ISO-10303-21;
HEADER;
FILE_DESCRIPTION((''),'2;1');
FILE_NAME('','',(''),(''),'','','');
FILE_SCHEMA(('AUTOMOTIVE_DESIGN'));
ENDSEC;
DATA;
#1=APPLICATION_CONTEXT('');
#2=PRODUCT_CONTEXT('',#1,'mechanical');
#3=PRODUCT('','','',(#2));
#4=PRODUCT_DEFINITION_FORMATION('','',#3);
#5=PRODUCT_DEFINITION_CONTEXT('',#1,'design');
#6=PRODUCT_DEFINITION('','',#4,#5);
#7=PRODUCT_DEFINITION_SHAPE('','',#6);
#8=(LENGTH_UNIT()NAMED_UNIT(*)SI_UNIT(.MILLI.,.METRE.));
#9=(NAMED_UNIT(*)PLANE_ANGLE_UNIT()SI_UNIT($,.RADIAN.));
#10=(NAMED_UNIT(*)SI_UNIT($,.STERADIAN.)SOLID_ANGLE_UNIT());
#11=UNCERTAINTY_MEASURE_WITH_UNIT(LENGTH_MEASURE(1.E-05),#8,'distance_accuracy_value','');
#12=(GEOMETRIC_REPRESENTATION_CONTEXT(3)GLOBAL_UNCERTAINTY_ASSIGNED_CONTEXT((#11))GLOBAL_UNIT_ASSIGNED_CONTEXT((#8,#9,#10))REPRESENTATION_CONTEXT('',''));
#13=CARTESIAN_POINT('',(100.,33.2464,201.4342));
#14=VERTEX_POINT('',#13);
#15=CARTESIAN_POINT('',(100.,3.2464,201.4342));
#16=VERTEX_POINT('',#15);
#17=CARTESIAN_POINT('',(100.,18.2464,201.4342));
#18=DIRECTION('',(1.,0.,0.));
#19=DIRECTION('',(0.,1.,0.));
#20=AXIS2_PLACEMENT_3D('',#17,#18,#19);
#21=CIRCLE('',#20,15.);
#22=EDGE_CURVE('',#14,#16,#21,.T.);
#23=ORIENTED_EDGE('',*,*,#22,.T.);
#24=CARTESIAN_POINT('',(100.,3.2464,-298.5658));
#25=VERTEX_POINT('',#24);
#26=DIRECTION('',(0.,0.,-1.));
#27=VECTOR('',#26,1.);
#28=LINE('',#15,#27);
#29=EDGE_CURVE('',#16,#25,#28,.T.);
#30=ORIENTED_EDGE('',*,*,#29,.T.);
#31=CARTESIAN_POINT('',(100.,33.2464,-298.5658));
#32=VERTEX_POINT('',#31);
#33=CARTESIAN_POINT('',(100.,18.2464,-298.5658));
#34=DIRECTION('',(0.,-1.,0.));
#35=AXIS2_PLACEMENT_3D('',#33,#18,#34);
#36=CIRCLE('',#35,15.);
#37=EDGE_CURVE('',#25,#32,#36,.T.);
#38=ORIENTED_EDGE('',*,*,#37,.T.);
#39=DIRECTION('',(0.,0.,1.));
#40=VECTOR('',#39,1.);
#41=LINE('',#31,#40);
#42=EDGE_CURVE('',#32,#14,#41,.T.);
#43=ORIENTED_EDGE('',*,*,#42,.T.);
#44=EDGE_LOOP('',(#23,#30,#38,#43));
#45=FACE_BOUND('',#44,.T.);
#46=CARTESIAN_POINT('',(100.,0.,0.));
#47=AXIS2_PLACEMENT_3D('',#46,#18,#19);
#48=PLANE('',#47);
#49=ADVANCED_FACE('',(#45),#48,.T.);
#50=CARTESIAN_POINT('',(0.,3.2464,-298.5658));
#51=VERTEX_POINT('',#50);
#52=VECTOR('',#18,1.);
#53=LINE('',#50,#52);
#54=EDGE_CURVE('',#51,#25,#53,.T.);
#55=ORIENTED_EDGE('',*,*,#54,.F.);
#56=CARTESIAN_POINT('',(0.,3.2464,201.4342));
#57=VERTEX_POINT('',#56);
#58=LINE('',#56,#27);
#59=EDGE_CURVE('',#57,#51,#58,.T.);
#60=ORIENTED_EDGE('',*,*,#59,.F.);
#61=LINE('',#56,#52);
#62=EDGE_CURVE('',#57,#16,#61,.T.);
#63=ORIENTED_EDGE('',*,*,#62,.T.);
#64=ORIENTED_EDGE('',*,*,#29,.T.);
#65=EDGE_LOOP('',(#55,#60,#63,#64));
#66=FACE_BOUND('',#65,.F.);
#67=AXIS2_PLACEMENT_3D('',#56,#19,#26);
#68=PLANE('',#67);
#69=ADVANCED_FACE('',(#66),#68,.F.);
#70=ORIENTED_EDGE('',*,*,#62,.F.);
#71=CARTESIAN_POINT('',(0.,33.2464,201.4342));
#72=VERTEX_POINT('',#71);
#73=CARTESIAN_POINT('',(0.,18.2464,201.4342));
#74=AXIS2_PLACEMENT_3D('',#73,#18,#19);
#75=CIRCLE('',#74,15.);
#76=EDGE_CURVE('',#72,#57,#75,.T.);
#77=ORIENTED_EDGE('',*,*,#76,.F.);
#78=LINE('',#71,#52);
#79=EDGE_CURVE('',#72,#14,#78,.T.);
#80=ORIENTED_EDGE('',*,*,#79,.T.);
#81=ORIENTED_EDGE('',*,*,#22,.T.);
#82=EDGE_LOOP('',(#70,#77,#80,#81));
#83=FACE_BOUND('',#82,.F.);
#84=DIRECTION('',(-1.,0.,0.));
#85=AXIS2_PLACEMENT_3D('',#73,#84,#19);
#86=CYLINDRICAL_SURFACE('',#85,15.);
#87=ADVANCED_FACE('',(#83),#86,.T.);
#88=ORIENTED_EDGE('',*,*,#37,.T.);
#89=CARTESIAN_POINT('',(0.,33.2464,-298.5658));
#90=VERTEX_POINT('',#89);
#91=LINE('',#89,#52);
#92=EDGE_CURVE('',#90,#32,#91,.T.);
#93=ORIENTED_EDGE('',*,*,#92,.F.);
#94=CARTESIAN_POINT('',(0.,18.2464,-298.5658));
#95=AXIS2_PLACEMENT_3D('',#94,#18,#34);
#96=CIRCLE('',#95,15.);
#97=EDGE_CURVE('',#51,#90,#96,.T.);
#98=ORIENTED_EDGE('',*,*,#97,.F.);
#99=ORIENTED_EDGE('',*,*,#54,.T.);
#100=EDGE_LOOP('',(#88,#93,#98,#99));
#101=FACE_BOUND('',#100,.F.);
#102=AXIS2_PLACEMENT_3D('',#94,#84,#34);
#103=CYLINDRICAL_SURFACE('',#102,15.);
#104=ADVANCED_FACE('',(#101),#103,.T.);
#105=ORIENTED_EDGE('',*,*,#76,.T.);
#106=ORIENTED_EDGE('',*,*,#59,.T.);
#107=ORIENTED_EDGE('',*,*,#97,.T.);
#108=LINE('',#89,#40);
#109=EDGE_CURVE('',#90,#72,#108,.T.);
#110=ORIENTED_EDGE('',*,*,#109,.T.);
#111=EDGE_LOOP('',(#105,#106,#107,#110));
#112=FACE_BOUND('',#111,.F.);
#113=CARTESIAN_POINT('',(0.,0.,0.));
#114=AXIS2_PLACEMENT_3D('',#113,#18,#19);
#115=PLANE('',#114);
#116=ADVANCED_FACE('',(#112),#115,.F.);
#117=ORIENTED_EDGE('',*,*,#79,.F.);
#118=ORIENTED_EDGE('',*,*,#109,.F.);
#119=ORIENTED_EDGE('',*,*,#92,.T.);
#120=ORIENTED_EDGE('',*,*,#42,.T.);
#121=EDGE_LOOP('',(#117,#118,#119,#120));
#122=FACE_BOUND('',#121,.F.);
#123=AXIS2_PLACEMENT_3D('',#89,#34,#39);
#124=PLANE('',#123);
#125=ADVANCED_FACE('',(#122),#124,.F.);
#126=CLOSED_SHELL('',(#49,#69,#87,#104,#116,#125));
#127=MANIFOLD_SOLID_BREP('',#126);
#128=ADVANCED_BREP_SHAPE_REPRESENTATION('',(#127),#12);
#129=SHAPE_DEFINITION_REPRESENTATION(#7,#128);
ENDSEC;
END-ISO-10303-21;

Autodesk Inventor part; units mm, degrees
ref_plane "YZ Plane" through (0, 0, 0) normal (1, 0, 0) x (0, 1, 0)
ref_plane "XZ Plane" through (0, 0, 0) normal (0, 1, 0) x (-1, 0, 0)
ref_plane "XY Plane" through (0, 0, 0) normal (0, 0, 1) x (1, 0, 0)
sketch "Sketch1" plane through (0, 0, 0) normal (1, 0, 0) x (0, 1, 0)
  line L0 (3.2464, 201.4342) -> (3.2464, -298.5658)
  line L1 (33.2464, -298.5658) -> (33.2464, 201.4342)
  arc A0 (33.2464, 201.4342) -> (3.2464, 201.4342) centre (18.2464, 201.4342) ccw
  arc A1 (3.2464, -298.5658) -> (33.2464, -298.5658) centre (18.2464, -298.5658) ccw
  point P0 (0, 0)
  dimension "d0" = 500
  dimension "d1" = 30
  dimension "d2" = 30
  dimension "d3" = 30
extrude "Extrusion1" add sketch "Sketch1" along normal blind 100
properties part number "Stainless Steel Mini Conveyor, DC 12 V"
